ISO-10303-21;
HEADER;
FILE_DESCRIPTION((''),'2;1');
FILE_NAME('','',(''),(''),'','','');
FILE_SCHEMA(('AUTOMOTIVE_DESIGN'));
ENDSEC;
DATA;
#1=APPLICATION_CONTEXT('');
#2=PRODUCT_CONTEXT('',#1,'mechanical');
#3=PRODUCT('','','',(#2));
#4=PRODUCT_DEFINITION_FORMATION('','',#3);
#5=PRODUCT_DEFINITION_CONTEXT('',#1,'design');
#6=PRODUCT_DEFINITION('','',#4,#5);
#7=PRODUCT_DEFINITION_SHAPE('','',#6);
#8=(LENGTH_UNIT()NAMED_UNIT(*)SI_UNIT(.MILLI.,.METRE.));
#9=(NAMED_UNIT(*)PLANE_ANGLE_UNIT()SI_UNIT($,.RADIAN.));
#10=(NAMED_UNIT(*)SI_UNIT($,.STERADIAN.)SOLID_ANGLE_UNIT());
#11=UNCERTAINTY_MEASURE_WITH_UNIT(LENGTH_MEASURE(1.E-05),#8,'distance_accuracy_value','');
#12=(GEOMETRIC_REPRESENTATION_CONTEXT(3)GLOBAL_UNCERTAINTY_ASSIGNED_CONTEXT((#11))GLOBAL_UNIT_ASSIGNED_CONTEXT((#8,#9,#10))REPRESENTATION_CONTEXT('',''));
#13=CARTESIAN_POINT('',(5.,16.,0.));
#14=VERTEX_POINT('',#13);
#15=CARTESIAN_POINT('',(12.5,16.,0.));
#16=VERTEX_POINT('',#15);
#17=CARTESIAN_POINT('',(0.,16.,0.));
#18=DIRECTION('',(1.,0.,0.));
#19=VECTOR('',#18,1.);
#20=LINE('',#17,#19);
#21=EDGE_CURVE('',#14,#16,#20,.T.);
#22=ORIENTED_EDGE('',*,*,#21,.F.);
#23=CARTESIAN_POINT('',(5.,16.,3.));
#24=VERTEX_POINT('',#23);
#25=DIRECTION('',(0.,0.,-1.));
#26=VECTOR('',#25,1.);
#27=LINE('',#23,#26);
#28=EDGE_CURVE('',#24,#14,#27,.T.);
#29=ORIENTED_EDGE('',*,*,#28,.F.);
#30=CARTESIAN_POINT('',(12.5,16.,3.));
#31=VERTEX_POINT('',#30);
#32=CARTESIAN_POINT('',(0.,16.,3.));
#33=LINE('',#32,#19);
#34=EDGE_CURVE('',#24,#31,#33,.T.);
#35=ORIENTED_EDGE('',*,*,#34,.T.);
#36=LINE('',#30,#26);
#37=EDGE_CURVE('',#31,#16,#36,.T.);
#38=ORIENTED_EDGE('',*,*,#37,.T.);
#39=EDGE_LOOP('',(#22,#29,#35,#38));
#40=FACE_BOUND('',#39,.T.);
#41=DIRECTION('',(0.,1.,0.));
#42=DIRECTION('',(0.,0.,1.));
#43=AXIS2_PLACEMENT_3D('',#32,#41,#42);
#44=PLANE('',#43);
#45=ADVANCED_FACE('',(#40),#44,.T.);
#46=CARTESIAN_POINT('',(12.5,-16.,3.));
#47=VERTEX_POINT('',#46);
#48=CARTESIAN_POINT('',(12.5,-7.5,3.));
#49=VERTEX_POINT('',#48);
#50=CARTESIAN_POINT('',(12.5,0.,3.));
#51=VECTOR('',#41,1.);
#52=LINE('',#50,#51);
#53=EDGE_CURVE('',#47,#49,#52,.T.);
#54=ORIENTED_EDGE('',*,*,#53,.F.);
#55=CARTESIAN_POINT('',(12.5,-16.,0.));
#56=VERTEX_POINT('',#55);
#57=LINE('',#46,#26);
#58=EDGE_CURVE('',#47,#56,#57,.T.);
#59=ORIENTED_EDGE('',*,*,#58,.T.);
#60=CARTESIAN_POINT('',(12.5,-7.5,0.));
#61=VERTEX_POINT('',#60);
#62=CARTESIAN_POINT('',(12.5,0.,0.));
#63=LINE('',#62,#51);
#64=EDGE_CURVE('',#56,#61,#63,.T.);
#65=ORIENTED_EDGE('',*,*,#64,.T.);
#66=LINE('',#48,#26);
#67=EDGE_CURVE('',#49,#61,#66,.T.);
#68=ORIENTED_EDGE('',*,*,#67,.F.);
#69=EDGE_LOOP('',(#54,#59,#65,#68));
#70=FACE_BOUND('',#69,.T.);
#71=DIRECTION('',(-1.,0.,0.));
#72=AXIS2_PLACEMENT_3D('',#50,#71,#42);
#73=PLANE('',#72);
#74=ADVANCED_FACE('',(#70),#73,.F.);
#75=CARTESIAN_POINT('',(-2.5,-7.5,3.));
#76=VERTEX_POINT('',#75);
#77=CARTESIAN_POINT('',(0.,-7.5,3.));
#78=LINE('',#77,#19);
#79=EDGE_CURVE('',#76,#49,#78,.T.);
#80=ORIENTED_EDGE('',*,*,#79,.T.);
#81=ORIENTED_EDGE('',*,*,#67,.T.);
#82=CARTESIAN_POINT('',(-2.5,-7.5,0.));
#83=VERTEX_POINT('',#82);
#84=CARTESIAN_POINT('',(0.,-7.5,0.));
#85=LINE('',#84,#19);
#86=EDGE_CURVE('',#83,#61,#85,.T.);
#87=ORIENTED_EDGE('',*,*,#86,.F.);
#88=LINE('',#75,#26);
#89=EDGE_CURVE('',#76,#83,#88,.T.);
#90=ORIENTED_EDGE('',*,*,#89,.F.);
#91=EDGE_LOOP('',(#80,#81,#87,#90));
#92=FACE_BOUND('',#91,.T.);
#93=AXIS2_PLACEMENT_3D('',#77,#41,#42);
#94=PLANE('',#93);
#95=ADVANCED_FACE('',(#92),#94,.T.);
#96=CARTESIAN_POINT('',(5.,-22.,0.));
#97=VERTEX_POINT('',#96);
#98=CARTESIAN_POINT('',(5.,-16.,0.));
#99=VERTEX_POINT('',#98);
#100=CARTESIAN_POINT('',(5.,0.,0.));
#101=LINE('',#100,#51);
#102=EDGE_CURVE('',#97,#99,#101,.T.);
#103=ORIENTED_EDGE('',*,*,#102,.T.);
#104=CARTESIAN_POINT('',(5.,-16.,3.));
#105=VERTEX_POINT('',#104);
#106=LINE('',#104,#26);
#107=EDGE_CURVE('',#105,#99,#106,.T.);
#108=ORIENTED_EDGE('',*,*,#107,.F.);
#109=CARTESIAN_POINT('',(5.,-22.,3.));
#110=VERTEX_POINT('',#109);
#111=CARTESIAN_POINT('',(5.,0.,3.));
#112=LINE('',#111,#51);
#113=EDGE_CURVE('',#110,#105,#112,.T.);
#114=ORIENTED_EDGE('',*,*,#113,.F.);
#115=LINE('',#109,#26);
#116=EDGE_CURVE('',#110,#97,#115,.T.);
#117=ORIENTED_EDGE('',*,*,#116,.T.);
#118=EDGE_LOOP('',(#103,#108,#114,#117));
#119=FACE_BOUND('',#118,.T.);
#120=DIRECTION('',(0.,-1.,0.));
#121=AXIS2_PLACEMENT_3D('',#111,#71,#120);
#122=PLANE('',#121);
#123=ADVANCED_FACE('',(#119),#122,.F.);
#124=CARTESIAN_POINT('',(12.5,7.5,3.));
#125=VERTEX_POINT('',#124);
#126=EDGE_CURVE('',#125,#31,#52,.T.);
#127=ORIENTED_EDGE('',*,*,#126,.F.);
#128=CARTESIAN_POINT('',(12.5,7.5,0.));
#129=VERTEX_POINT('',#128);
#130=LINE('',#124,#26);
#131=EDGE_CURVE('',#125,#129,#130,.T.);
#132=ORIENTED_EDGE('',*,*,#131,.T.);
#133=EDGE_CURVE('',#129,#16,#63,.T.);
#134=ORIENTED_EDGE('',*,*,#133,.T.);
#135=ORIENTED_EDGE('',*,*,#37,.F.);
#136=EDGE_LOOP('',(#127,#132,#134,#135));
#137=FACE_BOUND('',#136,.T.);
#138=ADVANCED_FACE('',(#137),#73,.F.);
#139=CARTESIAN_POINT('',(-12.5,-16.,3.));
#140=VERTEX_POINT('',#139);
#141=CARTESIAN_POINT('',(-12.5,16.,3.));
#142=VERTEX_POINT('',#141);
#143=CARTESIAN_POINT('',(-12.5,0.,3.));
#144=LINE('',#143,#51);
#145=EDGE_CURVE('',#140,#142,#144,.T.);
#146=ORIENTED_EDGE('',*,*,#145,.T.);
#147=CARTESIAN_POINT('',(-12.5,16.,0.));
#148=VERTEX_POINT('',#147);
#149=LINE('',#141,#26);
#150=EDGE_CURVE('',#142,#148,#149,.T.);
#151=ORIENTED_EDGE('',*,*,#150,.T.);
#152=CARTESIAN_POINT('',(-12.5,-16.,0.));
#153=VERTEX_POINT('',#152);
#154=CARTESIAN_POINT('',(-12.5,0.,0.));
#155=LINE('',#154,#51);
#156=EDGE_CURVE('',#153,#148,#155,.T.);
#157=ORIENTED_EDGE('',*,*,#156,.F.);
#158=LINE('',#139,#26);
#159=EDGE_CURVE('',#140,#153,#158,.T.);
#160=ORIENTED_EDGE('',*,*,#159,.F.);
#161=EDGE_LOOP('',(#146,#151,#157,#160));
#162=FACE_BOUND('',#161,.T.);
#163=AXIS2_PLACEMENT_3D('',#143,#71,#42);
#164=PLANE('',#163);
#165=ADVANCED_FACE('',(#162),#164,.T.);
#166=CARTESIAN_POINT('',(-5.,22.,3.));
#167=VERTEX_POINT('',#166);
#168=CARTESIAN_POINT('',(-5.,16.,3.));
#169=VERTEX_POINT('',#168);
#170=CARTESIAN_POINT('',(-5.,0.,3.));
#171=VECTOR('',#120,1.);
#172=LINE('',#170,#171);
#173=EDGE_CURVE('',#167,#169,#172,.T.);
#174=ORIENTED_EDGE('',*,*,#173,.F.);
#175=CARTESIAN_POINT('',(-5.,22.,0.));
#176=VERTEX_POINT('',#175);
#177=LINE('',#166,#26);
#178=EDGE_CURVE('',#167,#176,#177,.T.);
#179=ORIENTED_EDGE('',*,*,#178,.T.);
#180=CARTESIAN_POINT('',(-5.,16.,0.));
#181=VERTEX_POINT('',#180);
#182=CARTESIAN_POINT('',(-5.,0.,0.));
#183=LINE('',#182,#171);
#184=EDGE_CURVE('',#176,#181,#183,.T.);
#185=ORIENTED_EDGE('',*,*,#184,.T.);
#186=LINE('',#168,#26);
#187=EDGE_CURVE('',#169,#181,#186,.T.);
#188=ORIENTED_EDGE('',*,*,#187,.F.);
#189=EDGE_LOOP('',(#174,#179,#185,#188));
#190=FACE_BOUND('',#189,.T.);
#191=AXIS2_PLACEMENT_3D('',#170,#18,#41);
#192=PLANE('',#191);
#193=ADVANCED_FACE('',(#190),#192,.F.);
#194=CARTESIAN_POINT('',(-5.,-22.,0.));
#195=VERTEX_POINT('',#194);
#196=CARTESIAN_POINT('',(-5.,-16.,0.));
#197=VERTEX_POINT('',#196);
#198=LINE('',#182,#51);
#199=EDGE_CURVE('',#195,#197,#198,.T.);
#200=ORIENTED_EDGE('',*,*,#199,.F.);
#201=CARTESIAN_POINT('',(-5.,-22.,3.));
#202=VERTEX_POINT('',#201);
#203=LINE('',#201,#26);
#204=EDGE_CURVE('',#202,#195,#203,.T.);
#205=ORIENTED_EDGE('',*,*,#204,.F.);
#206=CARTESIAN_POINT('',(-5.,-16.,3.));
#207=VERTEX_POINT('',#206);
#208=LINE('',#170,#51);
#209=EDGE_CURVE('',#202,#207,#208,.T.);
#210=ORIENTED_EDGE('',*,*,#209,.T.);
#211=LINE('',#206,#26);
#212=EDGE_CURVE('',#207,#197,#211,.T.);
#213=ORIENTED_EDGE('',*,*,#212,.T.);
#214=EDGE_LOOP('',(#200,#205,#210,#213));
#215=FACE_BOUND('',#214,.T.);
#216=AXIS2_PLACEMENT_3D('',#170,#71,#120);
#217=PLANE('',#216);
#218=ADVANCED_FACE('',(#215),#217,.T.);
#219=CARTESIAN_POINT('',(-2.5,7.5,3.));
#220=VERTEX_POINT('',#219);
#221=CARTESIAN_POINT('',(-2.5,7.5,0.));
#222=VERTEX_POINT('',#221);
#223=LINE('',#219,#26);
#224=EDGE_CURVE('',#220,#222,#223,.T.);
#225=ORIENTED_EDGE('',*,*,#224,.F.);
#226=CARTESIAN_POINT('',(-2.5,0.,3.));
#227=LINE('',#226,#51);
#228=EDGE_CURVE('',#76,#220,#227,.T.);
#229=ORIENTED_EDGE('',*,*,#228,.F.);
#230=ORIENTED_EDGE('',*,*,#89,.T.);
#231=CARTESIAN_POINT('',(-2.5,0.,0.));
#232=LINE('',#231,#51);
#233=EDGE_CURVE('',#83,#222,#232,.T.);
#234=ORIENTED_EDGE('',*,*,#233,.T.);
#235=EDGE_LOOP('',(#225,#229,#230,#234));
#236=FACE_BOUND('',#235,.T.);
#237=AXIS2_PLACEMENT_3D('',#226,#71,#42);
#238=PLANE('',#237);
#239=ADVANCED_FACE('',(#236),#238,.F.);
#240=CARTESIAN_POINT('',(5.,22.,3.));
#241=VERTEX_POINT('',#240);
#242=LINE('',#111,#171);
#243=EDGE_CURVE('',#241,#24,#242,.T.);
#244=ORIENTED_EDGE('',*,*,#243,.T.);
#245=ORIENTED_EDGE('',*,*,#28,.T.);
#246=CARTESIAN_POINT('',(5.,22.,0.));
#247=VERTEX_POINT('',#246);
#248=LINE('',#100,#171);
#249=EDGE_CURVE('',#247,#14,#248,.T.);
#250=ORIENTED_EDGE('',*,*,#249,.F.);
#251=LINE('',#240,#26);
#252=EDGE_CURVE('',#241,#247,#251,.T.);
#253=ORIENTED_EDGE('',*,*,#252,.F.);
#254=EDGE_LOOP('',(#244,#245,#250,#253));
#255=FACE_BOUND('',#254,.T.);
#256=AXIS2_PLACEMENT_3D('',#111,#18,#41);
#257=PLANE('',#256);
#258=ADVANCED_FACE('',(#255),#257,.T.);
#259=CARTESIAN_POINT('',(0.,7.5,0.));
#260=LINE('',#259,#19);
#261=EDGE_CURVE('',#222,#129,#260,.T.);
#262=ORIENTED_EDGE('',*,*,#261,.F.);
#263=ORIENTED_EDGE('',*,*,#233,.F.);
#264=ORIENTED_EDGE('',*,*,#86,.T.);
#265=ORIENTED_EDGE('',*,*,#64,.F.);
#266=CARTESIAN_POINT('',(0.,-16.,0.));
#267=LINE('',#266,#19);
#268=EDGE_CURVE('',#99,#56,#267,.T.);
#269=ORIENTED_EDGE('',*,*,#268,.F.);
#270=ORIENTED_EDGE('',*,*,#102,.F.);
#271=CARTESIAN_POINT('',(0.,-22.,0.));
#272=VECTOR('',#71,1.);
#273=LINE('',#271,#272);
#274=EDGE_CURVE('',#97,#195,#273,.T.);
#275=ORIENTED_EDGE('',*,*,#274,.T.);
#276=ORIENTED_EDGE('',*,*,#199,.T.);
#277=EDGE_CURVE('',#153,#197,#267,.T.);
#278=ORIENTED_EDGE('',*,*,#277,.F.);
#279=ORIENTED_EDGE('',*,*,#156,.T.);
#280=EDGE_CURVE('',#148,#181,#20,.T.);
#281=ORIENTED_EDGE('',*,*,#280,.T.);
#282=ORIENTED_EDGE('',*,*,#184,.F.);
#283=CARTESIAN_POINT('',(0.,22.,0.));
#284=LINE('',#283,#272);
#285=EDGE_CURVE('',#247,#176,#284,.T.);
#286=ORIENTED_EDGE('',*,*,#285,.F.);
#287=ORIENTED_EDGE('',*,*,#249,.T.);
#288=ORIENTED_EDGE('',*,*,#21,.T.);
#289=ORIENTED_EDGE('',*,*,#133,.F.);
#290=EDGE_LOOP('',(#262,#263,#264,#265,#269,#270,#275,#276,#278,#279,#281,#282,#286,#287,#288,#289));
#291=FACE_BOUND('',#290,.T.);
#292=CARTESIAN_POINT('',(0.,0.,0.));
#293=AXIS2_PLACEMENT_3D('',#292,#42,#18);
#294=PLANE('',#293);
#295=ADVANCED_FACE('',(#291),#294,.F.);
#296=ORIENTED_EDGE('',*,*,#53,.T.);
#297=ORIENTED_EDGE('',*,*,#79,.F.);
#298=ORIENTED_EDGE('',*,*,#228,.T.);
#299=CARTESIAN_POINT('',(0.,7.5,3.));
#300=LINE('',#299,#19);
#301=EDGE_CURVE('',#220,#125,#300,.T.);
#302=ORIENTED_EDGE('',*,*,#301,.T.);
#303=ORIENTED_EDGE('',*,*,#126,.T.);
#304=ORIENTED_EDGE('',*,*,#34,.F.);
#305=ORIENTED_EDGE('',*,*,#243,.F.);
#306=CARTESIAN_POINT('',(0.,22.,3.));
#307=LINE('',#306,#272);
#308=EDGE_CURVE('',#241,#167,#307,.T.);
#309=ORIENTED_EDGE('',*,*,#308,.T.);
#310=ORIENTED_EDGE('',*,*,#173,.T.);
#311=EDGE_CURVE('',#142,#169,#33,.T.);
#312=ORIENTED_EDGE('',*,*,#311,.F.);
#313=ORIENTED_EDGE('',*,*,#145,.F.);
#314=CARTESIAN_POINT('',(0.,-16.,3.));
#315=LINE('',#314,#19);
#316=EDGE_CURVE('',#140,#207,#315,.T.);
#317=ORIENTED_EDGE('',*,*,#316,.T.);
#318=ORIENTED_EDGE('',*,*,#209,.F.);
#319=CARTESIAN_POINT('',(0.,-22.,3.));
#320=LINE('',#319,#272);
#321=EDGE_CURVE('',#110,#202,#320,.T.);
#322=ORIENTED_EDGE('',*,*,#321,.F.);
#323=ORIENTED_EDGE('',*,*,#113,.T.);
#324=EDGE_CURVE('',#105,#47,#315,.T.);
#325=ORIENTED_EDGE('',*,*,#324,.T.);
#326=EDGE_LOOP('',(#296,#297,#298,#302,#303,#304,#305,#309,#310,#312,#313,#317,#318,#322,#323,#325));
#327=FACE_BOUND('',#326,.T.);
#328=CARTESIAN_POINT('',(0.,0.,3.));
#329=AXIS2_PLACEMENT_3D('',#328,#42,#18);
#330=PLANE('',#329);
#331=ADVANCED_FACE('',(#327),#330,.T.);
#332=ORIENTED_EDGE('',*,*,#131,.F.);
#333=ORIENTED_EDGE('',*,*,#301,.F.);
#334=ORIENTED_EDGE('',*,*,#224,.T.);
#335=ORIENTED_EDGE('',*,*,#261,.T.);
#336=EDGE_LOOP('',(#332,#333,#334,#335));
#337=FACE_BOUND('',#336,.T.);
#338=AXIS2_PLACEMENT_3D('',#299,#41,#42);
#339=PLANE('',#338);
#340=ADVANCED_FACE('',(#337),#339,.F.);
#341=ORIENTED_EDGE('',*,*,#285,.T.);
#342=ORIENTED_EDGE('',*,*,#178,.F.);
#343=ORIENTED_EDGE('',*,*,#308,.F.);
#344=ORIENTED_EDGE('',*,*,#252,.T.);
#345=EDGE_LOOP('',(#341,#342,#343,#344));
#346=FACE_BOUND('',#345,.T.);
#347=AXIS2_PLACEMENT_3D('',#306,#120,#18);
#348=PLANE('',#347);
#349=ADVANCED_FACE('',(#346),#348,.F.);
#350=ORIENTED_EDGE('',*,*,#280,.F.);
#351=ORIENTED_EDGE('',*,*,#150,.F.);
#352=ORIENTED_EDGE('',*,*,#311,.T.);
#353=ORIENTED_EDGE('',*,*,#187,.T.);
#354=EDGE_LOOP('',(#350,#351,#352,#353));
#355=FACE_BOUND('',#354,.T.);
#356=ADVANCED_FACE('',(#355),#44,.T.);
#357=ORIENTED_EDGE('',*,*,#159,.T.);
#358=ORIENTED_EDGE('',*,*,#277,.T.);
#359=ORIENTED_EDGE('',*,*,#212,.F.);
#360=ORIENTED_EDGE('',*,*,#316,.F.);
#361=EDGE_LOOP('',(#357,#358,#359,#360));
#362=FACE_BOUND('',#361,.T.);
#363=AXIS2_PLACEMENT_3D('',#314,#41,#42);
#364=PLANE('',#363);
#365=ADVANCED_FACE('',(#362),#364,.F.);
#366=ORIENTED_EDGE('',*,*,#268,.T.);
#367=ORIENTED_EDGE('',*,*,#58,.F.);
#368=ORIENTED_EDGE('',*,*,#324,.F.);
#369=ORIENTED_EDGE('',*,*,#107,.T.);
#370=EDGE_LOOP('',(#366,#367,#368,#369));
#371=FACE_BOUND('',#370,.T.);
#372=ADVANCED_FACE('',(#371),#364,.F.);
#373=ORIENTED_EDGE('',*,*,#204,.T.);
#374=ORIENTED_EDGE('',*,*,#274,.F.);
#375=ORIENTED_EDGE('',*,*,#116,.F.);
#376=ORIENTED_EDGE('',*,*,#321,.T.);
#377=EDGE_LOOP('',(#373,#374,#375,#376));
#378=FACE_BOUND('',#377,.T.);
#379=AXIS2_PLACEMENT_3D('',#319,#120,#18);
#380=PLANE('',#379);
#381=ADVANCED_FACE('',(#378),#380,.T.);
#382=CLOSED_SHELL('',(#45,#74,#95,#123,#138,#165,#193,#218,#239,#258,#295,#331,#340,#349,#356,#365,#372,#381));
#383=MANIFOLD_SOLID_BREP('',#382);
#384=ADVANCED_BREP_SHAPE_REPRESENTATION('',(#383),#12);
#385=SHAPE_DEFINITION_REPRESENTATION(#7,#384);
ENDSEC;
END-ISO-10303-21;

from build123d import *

# Parameters (mm, degrees)
ESBO_O1_W                = 10
ESBO_O1_H                = 6
RESSALTO_EXTRUS_O1_DEPTH = 3


with BuildPart() as part:
    # Esboço1 → Ressalto-extrusão1 (new body)
    with BuildSketch(Plane.XY):
        Polygon((-12.5, 16), (-12.5, -16), (-5, -16), (5, -16), (12.5, -16), (12.5, -7.5), (-2.5, -7.5), (-2.5, 7.5), (12.5, 7.5), (12.5, 16), (5, 16), (-5, 16), align=None)
        with Locations((0, 19)):
            Rectangle(ESBO_O1_W, ESBO_O1_H)
        with Locations((0, -19)):
            Rectangle(ESBO_O1_W, ESBO_O1_H)
    extrude(amount=RESSALTO_EXTRUS_O1_DEPTH)


solid = part.part
